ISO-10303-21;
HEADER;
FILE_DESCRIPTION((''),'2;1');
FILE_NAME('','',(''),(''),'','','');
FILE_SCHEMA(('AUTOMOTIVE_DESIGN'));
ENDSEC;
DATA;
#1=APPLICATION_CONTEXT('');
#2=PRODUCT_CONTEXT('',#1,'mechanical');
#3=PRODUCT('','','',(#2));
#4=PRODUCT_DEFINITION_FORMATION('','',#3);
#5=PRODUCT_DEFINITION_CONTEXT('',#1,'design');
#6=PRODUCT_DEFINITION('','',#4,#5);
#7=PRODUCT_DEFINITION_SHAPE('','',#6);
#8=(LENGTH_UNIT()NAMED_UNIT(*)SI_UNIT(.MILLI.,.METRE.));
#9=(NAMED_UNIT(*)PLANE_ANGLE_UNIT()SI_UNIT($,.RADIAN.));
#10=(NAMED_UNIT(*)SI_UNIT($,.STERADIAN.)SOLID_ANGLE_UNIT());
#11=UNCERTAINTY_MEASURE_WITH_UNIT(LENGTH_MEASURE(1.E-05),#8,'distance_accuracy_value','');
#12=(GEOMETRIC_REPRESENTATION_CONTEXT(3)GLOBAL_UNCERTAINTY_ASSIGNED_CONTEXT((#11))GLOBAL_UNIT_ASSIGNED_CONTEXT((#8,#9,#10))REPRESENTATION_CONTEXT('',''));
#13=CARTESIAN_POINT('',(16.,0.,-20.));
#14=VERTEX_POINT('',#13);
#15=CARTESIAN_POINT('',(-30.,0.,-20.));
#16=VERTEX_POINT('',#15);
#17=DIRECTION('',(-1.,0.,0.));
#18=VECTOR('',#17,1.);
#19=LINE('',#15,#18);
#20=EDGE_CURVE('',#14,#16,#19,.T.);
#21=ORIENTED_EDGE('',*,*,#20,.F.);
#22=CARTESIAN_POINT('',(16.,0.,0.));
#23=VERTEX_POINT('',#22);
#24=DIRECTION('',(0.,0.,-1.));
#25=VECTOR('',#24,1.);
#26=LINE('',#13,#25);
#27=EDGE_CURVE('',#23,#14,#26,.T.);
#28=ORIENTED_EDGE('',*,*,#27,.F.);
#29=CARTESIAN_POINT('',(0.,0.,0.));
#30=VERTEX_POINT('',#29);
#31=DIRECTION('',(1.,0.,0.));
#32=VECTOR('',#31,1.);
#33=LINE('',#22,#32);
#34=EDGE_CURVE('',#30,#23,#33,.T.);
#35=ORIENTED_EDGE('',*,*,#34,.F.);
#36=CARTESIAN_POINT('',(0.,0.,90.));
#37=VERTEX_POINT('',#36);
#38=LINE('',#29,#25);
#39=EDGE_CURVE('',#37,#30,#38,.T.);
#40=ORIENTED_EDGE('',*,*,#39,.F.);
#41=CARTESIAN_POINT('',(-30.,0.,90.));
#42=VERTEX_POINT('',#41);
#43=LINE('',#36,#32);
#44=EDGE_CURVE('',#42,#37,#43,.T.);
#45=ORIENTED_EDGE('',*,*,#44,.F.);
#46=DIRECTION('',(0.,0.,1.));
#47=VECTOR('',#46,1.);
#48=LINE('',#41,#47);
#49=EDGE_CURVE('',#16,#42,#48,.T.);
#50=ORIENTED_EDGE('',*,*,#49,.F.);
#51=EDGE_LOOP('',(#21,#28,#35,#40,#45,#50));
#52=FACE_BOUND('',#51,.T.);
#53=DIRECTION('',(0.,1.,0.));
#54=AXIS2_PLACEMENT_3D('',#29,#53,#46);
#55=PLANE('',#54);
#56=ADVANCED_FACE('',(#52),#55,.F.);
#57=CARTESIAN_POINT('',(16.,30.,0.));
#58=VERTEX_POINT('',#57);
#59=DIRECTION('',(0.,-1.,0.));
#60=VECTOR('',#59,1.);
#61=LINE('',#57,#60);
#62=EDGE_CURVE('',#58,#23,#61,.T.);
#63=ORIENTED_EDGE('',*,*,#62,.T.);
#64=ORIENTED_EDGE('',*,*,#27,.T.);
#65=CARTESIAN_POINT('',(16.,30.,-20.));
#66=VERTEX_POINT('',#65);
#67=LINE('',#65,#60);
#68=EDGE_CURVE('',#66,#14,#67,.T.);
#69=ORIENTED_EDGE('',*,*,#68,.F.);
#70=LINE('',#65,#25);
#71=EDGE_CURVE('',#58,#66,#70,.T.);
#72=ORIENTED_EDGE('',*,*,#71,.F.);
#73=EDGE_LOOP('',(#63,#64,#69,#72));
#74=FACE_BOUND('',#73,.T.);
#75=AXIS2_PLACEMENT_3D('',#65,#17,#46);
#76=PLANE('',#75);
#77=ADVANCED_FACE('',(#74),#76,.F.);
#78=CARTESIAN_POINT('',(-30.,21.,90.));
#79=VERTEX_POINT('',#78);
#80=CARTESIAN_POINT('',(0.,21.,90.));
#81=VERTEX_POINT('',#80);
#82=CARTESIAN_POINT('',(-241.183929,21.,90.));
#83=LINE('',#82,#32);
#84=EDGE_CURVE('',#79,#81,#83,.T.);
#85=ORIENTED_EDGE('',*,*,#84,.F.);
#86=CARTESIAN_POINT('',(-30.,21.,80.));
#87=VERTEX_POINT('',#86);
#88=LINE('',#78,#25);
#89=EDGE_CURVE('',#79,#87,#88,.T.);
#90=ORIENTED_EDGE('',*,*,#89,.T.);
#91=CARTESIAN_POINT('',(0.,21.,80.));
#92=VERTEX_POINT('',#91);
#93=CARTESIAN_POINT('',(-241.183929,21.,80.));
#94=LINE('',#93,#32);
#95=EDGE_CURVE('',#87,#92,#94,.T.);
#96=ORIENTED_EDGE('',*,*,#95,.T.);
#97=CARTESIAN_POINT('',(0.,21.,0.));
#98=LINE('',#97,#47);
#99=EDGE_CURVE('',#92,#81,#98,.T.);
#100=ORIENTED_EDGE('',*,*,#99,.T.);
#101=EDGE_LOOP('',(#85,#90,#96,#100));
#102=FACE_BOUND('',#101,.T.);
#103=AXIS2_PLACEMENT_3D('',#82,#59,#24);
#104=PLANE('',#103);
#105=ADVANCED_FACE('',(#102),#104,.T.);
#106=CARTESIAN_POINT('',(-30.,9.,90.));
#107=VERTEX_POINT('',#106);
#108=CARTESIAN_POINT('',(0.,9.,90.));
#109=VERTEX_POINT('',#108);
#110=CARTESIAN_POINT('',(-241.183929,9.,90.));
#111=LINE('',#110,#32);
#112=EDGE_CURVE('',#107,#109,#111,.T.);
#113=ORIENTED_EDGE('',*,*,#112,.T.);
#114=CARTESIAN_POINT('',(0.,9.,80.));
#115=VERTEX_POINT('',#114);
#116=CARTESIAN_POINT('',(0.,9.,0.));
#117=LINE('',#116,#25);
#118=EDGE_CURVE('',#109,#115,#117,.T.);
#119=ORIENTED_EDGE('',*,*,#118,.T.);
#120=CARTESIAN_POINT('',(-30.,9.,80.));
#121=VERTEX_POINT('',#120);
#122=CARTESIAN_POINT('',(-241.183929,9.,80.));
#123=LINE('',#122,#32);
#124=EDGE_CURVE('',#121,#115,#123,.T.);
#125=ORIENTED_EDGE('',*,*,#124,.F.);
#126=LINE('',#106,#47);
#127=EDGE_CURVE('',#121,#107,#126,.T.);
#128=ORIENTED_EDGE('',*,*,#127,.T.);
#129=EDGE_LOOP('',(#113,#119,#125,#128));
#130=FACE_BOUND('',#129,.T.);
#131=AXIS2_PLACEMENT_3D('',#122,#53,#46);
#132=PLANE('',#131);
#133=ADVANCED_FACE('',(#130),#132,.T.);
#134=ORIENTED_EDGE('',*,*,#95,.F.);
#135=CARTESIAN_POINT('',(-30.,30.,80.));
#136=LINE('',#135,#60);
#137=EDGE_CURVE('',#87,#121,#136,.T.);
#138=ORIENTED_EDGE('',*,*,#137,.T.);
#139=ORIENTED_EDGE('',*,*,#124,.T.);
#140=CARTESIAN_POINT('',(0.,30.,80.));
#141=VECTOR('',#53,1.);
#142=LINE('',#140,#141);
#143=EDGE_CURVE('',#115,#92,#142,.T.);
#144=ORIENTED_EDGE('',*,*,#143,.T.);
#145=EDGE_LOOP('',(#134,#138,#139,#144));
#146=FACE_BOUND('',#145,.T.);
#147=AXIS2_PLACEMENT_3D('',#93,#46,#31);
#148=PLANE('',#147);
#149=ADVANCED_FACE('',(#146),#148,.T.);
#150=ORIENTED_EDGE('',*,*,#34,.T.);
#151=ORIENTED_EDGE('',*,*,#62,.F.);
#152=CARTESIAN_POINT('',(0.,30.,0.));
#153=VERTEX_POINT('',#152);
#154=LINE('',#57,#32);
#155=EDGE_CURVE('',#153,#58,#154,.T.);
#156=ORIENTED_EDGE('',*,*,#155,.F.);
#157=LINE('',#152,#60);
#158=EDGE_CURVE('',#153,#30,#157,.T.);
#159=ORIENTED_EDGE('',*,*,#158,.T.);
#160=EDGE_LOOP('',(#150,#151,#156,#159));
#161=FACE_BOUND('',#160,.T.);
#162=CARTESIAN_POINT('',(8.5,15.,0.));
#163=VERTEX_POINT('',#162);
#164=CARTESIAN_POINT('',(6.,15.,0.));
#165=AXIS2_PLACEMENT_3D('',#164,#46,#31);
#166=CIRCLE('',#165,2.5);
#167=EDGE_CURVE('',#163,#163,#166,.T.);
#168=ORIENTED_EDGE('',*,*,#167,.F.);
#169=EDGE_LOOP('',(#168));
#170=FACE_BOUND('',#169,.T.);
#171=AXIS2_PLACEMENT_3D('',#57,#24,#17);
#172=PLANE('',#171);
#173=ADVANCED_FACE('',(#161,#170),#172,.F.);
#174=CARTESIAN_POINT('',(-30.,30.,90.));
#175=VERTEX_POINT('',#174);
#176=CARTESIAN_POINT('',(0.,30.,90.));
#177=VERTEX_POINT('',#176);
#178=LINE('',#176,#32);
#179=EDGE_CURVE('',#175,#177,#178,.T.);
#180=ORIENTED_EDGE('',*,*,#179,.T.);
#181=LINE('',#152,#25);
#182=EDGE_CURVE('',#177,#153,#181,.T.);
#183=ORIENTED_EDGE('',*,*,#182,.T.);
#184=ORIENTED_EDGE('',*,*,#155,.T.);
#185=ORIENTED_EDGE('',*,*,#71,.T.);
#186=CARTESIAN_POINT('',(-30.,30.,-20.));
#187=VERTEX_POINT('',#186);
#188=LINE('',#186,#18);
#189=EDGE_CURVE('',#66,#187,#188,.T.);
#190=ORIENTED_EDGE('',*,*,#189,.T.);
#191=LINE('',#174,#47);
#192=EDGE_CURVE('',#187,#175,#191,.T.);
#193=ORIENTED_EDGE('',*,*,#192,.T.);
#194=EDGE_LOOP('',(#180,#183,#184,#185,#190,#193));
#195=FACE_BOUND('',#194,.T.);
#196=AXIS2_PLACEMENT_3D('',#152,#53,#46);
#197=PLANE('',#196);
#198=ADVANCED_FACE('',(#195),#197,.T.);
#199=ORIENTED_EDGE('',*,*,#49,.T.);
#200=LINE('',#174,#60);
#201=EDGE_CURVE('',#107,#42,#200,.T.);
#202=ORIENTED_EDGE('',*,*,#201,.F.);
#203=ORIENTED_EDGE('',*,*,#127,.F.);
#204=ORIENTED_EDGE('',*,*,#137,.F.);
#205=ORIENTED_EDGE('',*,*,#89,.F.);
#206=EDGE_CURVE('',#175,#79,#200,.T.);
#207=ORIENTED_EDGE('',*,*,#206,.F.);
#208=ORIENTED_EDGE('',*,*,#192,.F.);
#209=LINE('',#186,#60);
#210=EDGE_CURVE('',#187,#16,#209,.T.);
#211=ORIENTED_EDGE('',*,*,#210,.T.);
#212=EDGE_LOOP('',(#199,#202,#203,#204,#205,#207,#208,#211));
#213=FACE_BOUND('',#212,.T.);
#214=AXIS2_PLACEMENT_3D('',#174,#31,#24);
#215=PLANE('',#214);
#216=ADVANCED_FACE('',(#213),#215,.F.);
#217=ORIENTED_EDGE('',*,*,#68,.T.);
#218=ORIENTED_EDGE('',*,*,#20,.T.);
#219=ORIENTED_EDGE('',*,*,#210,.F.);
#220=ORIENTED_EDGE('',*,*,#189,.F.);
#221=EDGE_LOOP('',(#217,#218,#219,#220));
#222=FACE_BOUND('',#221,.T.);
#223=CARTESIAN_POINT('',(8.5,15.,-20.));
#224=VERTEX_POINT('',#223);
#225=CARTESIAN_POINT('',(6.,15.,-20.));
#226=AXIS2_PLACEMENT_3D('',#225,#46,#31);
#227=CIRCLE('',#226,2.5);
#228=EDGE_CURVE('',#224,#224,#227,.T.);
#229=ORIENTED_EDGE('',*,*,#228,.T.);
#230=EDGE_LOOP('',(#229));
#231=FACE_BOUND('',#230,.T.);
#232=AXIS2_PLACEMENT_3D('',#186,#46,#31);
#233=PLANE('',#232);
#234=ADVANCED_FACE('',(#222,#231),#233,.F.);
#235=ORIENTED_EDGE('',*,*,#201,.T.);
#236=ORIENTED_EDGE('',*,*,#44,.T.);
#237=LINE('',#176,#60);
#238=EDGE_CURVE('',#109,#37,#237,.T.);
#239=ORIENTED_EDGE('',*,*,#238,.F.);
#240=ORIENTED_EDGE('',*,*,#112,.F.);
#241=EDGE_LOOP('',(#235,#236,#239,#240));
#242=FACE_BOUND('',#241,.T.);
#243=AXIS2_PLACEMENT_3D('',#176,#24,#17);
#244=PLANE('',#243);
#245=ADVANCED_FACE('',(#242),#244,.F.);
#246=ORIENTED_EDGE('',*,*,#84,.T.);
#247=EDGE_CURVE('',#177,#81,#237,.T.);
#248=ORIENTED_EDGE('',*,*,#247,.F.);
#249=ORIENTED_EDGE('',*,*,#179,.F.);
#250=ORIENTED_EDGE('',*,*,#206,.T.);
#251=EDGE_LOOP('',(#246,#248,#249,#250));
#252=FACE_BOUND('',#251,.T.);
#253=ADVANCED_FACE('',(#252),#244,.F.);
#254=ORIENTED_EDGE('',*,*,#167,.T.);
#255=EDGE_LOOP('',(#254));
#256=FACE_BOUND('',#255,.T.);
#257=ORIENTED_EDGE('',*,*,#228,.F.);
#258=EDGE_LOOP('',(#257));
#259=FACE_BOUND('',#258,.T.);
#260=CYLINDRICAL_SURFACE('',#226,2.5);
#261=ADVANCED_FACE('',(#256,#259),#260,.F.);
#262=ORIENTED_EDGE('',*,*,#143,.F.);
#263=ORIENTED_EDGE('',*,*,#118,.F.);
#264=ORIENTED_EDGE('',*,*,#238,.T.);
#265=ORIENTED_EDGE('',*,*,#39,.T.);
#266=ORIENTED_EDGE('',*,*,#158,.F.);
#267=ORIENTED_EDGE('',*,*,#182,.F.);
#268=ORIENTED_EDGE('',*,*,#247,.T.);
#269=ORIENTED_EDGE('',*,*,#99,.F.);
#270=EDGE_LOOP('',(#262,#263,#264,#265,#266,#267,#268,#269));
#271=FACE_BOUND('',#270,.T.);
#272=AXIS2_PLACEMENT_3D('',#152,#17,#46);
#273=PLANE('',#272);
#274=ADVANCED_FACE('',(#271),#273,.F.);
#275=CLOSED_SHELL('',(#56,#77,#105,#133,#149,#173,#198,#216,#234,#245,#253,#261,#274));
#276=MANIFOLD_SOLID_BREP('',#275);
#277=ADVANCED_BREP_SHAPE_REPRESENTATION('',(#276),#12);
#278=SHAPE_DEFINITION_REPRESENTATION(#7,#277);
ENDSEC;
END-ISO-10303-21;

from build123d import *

# Parameters (mm, degrees)
EXTRUDE_1_DEPTH          = 30
SKETCH_2_R               = 2.5
CUT_EXTRUDE_1_DEPTH      = 21
CUT_EXTRUDE_2_DEPTH      = 1
CUT_EXTRUDE_2_DEPTH_BACK = 47


with BuildPart() as part:
    # Эскиз1 → Бобышка-Вытянуть1 (new body)
    with BuildSketch(Plane(origin=(0, 0, 0), x_dir=(1, 0, 0), z_dir=(0, 1, 0))):
        Polygon((0, 0), (0, -90), (-30, -90), (-30, 20), (16, 20), (16, 0), align=None)
    extrude(amount=EXTRUDE_1_DEPTH)

    # Эскиз2 → Вырез-Вытянуть1 (cut, through all)
    with BuildSketch(Plane.XY):
        with Locations((6, 15)):
            Circle(SKETCH_2_R)
    extrude(amount=-CUT_EXTRUDE_1_DEPTH, mode=Mode.SUBTRACT)

    # Эскиз3 → Вырез-Вытянуть2 (cut, two sides)
    with BuildSketch(Plane.ZY.offset(30)) as cut_extrude_2_sk:
        Polygon((323.973212684, 21), (90, 21), (80, 21), (80, 9), (90, 9), (323.973212684, 9), (791.919638052, 9), (791.919638052, 21), align=None)
    extrude(amount=CUT_EXTRUDE_2_DEPTH, mode=Mode.SUBTRACT)
    extrude(cut_extrude_2_sk.sketch, amount=-CUT_EXTRUDE_2_DEPTH_BACK, mode=Mode.SUBTRACT)


solid = part.part
